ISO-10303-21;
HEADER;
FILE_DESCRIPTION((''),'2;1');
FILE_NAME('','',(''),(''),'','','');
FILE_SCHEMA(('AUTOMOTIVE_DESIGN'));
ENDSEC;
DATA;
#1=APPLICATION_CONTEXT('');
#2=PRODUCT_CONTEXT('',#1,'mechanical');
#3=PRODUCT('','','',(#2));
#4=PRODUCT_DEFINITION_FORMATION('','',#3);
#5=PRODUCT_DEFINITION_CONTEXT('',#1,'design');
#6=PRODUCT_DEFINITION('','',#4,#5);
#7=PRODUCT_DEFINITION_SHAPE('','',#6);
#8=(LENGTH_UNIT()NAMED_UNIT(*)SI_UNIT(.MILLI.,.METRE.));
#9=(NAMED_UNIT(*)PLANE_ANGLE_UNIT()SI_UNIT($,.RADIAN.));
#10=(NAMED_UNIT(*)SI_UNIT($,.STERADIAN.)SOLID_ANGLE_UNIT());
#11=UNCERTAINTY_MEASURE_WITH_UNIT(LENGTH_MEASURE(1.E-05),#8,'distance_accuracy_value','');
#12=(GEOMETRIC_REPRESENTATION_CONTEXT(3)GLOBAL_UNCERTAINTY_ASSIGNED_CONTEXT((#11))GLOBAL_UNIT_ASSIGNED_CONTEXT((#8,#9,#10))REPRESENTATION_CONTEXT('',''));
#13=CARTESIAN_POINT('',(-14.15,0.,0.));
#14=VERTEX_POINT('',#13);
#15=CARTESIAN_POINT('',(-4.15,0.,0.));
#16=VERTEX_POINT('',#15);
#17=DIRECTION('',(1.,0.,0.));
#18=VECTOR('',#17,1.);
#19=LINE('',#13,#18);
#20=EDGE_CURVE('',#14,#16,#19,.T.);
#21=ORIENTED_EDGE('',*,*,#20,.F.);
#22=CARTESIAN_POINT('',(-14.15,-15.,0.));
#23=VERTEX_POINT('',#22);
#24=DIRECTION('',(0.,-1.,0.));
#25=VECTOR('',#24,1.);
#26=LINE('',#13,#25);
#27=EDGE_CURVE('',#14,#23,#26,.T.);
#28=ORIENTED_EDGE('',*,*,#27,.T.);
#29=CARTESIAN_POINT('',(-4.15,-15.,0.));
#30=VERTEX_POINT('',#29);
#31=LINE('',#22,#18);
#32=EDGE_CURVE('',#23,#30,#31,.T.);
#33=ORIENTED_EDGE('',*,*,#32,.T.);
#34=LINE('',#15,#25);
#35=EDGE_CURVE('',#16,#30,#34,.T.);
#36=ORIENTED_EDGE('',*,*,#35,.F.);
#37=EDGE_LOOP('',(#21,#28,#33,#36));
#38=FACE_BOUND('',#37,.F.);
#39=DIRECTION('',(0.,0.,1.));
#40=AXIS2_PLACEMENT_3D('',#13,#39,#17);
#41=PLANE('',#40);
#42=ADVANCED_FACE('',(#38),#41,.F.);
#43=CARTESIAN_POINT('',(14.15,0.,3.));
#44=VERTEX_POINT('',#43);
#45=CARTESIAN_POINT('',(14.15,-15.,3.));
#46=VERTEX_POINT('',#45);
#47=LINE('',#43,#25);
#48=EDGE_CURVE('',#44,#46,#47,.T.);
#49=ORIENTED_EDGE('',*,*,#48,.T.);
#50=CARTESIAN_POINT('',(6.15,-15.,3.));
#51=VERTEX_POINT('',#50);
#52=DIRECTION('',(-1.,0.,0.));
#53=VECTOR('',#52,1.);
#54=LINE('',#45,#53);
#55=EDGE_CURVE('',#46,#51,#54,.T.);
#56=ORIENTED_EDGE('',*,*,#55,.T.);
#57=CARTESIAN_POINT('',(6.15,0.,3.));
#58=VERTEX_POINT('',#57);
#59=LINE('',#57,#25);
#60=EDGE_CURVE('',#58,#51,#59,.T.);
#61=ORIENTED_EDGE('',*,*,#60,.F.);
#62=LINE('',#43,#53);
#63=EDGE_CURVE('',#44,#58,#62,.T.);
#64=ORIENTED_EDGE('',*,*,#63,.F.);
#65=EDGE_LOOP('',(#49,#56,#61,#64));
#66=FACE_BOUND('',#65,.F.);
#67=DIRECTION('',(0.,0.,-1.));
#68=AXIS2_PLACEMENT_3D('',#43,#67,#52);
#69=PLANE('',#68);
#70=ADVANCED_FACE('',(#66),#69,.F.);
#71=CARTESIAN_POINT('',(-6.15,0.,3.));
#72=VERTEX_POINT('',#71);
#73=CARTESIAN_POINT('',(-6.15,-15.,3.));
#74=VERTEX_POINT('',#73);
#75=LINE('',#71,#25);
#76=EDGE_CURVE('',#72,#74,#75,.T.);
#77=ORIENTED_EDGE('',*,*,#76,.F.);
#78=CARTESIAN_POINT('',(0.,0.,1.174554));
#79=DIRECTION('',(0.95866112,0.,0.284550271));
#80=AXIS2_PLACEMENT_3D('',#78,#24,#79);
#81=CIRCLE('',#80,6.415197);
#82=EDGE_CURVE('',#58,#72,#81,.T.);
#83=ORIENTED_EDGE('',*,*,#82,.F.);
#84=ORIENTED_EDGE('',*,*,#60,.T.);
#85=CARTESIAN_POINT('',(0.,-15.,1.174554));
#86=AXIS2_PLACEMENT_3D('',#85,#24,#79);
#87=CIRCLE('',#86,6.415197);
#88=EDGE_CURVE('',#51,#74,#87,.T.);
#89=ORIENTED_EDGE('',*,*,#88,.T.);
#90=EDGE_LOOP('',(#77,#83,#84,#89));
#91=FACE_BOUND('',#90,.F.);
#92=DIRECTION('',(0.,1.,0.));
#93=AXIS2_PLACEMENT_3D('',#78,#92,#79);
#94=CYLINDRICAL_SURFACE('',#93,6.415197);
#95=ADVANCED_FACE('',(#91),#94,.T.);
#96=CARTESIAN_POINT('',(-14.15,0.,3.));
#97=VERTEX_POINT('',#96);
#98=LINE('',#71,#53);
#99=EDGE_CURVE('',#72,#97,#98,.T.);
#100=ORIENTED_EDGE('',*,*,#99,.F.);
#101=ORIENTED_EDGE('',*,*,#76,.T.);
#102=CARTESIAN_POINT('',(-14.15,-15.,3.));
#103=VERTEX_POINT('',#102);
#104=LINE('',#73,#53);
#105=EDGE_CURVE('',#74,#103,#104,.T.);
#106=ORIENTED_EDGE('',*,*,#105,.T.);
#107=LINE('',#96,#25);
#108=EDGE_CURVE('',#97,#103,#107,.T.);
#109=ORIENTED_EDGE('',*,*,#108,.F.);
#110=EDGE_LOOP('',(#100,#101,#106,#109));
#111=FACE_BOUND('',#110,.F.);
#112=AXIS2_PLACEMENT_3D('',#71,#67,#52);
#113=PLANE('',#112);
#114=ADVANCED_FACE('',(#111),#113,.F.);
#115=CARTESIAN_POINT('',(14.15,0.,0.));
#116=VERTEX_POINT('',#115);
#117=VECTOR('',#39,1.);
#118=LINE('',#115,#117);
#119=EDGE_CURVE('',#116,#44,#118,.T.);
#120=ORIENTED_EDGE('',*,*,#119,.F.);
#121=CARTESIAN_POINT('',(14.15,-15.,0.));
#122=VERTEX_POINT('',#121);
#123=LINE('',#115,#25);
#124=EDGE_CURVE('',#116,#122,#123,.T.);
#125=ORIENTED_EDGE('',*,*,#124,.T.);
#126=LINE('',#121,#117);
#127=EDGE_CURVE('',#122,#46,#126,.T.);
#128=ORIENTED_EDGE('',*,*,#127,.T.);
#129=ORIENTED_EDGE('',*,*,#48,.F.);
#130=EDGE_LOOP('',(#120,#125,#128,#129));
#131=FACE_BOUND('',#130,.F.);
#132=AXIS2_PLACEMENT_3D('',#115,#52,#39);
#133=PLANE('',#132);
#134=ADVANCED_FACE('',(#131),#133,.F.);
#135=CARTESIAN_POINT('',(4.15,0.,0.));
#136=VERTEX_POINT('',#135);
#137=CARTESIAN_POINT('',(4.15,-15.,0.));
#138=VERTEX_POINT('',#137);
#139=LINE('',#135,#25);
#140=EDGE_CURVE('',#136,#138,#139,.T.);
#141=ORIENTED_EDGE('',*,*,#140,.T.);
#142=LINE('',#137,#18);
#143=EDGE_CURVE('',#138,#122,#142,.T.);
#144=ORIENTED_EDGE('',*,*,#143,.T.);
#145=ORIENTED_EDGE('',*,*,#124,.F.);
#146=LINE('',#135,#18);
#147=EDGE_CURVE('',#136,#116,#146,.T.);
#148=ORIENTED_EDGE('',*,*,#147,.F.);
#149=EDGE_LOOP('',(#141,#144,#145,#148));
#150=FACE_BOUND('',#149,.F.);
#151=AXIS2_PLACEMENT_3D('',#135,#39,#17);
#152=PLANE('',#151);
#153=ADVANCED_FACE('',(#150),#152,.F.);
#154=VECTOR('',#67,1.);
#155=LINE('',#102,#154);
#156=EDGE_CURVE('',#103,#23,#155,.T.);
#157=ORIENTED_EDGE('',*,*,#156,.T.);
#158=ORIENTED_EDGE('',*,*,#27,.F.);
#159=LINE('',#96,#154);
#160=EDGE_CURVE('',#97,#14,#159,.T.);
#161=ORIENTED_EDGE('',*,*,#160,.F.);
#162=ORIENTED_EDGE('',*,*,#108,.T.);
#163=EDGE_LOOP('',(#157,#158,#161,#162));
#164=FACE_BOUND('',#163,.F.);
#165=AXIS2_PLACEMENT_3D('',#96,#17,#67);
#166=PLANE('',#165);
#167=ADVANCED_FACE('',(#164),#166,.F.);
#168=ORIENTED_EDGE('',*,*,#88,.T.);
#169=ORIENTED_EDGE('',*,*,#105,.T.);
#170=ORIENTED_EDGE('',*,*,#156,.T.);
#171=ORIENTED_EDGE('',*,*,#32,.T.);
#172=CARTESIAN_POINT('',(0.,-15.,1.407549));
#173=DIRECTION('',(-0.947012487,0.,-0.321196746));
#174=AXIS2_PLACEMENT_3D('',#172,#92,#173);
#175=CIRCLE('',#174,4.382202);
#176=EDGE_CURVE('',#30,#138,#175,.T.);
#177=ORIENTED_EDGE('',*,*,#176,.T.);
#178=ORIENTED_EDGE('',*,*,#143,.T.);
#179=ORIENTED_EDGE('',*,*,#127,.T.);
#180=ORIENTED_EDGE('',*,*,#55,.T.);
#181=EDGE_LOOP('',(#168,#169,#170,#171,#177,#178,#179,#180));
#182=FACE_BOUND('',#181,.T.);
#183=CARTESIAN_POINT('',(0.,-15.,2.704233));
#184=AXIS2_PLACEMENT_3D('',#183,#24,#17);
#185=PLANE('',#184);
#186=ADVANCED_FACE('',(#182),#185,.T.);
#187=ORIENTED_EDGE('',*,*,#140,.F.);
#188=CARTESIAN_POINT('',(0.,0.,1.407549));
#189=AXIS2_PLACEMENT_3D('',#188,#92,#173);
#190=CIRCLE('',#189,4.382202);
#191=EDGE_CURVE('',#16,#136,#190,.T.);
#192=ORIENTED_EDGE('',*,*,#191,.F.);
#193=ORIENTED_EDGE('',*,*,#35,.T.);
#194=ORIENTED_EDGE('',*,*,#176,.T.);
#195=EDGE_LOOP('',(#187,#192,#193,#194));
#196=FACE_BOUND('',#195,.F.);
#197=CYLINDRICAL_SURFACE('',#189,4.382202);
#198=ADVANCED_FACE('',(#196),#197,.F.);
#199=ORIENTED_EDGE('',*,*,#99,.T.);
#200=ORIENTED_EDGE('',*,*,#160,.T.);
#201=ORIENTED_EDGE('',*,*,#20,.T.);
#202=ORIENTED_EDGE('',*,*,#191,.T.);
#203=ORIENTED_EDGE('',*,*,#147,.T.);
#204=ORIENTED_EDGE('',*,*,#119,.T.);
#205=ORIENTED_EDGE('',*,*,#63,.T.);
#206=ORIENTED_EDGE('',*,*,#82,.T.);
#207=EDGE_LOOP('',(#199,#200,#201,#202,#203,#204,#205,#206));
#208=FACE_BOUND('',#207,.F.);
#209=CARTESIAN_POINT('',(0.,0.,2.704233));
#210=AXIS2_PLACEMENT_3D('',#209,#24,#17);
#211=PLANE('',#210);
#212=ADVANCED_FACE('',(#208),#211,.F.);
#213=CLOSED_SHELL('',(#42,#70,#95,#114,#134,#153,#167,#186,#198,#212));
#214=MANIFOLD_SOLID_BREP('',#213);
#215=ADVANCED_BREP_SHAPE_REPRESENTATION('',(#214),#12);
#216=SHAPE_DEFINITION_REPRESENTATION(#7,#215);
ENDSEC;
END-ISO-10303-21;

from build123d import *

# Parameters (mm, degrees)
F1_DEPTH = 15


with BuildPart() as f1:
    # F0 (on Front) → F1 (new body)
    with BuildSketch(Plane.XZ):
        with BuildLine():
            Line((-14.15, 3), (-14.15, 0))
            Line((-14.15, 0), (-4.15, 0))
            ThreePointArc((-4.15, 0), (0, 5.789751), (4.15, 0))
            Line((4.15, 0), (14.15, 0))
            Line((14.15, 0), (14.15, 3))
            Line((14.15, 3), (6.15, 3))
            ThreePointArc((6.15, 3), (0, 7.589751), (-6.15, 3))
            Line((-6.15, 3), (-14.15, 3))
        make_face()
    extrude(amount=F1_DEPTH)


solid = f1.part
